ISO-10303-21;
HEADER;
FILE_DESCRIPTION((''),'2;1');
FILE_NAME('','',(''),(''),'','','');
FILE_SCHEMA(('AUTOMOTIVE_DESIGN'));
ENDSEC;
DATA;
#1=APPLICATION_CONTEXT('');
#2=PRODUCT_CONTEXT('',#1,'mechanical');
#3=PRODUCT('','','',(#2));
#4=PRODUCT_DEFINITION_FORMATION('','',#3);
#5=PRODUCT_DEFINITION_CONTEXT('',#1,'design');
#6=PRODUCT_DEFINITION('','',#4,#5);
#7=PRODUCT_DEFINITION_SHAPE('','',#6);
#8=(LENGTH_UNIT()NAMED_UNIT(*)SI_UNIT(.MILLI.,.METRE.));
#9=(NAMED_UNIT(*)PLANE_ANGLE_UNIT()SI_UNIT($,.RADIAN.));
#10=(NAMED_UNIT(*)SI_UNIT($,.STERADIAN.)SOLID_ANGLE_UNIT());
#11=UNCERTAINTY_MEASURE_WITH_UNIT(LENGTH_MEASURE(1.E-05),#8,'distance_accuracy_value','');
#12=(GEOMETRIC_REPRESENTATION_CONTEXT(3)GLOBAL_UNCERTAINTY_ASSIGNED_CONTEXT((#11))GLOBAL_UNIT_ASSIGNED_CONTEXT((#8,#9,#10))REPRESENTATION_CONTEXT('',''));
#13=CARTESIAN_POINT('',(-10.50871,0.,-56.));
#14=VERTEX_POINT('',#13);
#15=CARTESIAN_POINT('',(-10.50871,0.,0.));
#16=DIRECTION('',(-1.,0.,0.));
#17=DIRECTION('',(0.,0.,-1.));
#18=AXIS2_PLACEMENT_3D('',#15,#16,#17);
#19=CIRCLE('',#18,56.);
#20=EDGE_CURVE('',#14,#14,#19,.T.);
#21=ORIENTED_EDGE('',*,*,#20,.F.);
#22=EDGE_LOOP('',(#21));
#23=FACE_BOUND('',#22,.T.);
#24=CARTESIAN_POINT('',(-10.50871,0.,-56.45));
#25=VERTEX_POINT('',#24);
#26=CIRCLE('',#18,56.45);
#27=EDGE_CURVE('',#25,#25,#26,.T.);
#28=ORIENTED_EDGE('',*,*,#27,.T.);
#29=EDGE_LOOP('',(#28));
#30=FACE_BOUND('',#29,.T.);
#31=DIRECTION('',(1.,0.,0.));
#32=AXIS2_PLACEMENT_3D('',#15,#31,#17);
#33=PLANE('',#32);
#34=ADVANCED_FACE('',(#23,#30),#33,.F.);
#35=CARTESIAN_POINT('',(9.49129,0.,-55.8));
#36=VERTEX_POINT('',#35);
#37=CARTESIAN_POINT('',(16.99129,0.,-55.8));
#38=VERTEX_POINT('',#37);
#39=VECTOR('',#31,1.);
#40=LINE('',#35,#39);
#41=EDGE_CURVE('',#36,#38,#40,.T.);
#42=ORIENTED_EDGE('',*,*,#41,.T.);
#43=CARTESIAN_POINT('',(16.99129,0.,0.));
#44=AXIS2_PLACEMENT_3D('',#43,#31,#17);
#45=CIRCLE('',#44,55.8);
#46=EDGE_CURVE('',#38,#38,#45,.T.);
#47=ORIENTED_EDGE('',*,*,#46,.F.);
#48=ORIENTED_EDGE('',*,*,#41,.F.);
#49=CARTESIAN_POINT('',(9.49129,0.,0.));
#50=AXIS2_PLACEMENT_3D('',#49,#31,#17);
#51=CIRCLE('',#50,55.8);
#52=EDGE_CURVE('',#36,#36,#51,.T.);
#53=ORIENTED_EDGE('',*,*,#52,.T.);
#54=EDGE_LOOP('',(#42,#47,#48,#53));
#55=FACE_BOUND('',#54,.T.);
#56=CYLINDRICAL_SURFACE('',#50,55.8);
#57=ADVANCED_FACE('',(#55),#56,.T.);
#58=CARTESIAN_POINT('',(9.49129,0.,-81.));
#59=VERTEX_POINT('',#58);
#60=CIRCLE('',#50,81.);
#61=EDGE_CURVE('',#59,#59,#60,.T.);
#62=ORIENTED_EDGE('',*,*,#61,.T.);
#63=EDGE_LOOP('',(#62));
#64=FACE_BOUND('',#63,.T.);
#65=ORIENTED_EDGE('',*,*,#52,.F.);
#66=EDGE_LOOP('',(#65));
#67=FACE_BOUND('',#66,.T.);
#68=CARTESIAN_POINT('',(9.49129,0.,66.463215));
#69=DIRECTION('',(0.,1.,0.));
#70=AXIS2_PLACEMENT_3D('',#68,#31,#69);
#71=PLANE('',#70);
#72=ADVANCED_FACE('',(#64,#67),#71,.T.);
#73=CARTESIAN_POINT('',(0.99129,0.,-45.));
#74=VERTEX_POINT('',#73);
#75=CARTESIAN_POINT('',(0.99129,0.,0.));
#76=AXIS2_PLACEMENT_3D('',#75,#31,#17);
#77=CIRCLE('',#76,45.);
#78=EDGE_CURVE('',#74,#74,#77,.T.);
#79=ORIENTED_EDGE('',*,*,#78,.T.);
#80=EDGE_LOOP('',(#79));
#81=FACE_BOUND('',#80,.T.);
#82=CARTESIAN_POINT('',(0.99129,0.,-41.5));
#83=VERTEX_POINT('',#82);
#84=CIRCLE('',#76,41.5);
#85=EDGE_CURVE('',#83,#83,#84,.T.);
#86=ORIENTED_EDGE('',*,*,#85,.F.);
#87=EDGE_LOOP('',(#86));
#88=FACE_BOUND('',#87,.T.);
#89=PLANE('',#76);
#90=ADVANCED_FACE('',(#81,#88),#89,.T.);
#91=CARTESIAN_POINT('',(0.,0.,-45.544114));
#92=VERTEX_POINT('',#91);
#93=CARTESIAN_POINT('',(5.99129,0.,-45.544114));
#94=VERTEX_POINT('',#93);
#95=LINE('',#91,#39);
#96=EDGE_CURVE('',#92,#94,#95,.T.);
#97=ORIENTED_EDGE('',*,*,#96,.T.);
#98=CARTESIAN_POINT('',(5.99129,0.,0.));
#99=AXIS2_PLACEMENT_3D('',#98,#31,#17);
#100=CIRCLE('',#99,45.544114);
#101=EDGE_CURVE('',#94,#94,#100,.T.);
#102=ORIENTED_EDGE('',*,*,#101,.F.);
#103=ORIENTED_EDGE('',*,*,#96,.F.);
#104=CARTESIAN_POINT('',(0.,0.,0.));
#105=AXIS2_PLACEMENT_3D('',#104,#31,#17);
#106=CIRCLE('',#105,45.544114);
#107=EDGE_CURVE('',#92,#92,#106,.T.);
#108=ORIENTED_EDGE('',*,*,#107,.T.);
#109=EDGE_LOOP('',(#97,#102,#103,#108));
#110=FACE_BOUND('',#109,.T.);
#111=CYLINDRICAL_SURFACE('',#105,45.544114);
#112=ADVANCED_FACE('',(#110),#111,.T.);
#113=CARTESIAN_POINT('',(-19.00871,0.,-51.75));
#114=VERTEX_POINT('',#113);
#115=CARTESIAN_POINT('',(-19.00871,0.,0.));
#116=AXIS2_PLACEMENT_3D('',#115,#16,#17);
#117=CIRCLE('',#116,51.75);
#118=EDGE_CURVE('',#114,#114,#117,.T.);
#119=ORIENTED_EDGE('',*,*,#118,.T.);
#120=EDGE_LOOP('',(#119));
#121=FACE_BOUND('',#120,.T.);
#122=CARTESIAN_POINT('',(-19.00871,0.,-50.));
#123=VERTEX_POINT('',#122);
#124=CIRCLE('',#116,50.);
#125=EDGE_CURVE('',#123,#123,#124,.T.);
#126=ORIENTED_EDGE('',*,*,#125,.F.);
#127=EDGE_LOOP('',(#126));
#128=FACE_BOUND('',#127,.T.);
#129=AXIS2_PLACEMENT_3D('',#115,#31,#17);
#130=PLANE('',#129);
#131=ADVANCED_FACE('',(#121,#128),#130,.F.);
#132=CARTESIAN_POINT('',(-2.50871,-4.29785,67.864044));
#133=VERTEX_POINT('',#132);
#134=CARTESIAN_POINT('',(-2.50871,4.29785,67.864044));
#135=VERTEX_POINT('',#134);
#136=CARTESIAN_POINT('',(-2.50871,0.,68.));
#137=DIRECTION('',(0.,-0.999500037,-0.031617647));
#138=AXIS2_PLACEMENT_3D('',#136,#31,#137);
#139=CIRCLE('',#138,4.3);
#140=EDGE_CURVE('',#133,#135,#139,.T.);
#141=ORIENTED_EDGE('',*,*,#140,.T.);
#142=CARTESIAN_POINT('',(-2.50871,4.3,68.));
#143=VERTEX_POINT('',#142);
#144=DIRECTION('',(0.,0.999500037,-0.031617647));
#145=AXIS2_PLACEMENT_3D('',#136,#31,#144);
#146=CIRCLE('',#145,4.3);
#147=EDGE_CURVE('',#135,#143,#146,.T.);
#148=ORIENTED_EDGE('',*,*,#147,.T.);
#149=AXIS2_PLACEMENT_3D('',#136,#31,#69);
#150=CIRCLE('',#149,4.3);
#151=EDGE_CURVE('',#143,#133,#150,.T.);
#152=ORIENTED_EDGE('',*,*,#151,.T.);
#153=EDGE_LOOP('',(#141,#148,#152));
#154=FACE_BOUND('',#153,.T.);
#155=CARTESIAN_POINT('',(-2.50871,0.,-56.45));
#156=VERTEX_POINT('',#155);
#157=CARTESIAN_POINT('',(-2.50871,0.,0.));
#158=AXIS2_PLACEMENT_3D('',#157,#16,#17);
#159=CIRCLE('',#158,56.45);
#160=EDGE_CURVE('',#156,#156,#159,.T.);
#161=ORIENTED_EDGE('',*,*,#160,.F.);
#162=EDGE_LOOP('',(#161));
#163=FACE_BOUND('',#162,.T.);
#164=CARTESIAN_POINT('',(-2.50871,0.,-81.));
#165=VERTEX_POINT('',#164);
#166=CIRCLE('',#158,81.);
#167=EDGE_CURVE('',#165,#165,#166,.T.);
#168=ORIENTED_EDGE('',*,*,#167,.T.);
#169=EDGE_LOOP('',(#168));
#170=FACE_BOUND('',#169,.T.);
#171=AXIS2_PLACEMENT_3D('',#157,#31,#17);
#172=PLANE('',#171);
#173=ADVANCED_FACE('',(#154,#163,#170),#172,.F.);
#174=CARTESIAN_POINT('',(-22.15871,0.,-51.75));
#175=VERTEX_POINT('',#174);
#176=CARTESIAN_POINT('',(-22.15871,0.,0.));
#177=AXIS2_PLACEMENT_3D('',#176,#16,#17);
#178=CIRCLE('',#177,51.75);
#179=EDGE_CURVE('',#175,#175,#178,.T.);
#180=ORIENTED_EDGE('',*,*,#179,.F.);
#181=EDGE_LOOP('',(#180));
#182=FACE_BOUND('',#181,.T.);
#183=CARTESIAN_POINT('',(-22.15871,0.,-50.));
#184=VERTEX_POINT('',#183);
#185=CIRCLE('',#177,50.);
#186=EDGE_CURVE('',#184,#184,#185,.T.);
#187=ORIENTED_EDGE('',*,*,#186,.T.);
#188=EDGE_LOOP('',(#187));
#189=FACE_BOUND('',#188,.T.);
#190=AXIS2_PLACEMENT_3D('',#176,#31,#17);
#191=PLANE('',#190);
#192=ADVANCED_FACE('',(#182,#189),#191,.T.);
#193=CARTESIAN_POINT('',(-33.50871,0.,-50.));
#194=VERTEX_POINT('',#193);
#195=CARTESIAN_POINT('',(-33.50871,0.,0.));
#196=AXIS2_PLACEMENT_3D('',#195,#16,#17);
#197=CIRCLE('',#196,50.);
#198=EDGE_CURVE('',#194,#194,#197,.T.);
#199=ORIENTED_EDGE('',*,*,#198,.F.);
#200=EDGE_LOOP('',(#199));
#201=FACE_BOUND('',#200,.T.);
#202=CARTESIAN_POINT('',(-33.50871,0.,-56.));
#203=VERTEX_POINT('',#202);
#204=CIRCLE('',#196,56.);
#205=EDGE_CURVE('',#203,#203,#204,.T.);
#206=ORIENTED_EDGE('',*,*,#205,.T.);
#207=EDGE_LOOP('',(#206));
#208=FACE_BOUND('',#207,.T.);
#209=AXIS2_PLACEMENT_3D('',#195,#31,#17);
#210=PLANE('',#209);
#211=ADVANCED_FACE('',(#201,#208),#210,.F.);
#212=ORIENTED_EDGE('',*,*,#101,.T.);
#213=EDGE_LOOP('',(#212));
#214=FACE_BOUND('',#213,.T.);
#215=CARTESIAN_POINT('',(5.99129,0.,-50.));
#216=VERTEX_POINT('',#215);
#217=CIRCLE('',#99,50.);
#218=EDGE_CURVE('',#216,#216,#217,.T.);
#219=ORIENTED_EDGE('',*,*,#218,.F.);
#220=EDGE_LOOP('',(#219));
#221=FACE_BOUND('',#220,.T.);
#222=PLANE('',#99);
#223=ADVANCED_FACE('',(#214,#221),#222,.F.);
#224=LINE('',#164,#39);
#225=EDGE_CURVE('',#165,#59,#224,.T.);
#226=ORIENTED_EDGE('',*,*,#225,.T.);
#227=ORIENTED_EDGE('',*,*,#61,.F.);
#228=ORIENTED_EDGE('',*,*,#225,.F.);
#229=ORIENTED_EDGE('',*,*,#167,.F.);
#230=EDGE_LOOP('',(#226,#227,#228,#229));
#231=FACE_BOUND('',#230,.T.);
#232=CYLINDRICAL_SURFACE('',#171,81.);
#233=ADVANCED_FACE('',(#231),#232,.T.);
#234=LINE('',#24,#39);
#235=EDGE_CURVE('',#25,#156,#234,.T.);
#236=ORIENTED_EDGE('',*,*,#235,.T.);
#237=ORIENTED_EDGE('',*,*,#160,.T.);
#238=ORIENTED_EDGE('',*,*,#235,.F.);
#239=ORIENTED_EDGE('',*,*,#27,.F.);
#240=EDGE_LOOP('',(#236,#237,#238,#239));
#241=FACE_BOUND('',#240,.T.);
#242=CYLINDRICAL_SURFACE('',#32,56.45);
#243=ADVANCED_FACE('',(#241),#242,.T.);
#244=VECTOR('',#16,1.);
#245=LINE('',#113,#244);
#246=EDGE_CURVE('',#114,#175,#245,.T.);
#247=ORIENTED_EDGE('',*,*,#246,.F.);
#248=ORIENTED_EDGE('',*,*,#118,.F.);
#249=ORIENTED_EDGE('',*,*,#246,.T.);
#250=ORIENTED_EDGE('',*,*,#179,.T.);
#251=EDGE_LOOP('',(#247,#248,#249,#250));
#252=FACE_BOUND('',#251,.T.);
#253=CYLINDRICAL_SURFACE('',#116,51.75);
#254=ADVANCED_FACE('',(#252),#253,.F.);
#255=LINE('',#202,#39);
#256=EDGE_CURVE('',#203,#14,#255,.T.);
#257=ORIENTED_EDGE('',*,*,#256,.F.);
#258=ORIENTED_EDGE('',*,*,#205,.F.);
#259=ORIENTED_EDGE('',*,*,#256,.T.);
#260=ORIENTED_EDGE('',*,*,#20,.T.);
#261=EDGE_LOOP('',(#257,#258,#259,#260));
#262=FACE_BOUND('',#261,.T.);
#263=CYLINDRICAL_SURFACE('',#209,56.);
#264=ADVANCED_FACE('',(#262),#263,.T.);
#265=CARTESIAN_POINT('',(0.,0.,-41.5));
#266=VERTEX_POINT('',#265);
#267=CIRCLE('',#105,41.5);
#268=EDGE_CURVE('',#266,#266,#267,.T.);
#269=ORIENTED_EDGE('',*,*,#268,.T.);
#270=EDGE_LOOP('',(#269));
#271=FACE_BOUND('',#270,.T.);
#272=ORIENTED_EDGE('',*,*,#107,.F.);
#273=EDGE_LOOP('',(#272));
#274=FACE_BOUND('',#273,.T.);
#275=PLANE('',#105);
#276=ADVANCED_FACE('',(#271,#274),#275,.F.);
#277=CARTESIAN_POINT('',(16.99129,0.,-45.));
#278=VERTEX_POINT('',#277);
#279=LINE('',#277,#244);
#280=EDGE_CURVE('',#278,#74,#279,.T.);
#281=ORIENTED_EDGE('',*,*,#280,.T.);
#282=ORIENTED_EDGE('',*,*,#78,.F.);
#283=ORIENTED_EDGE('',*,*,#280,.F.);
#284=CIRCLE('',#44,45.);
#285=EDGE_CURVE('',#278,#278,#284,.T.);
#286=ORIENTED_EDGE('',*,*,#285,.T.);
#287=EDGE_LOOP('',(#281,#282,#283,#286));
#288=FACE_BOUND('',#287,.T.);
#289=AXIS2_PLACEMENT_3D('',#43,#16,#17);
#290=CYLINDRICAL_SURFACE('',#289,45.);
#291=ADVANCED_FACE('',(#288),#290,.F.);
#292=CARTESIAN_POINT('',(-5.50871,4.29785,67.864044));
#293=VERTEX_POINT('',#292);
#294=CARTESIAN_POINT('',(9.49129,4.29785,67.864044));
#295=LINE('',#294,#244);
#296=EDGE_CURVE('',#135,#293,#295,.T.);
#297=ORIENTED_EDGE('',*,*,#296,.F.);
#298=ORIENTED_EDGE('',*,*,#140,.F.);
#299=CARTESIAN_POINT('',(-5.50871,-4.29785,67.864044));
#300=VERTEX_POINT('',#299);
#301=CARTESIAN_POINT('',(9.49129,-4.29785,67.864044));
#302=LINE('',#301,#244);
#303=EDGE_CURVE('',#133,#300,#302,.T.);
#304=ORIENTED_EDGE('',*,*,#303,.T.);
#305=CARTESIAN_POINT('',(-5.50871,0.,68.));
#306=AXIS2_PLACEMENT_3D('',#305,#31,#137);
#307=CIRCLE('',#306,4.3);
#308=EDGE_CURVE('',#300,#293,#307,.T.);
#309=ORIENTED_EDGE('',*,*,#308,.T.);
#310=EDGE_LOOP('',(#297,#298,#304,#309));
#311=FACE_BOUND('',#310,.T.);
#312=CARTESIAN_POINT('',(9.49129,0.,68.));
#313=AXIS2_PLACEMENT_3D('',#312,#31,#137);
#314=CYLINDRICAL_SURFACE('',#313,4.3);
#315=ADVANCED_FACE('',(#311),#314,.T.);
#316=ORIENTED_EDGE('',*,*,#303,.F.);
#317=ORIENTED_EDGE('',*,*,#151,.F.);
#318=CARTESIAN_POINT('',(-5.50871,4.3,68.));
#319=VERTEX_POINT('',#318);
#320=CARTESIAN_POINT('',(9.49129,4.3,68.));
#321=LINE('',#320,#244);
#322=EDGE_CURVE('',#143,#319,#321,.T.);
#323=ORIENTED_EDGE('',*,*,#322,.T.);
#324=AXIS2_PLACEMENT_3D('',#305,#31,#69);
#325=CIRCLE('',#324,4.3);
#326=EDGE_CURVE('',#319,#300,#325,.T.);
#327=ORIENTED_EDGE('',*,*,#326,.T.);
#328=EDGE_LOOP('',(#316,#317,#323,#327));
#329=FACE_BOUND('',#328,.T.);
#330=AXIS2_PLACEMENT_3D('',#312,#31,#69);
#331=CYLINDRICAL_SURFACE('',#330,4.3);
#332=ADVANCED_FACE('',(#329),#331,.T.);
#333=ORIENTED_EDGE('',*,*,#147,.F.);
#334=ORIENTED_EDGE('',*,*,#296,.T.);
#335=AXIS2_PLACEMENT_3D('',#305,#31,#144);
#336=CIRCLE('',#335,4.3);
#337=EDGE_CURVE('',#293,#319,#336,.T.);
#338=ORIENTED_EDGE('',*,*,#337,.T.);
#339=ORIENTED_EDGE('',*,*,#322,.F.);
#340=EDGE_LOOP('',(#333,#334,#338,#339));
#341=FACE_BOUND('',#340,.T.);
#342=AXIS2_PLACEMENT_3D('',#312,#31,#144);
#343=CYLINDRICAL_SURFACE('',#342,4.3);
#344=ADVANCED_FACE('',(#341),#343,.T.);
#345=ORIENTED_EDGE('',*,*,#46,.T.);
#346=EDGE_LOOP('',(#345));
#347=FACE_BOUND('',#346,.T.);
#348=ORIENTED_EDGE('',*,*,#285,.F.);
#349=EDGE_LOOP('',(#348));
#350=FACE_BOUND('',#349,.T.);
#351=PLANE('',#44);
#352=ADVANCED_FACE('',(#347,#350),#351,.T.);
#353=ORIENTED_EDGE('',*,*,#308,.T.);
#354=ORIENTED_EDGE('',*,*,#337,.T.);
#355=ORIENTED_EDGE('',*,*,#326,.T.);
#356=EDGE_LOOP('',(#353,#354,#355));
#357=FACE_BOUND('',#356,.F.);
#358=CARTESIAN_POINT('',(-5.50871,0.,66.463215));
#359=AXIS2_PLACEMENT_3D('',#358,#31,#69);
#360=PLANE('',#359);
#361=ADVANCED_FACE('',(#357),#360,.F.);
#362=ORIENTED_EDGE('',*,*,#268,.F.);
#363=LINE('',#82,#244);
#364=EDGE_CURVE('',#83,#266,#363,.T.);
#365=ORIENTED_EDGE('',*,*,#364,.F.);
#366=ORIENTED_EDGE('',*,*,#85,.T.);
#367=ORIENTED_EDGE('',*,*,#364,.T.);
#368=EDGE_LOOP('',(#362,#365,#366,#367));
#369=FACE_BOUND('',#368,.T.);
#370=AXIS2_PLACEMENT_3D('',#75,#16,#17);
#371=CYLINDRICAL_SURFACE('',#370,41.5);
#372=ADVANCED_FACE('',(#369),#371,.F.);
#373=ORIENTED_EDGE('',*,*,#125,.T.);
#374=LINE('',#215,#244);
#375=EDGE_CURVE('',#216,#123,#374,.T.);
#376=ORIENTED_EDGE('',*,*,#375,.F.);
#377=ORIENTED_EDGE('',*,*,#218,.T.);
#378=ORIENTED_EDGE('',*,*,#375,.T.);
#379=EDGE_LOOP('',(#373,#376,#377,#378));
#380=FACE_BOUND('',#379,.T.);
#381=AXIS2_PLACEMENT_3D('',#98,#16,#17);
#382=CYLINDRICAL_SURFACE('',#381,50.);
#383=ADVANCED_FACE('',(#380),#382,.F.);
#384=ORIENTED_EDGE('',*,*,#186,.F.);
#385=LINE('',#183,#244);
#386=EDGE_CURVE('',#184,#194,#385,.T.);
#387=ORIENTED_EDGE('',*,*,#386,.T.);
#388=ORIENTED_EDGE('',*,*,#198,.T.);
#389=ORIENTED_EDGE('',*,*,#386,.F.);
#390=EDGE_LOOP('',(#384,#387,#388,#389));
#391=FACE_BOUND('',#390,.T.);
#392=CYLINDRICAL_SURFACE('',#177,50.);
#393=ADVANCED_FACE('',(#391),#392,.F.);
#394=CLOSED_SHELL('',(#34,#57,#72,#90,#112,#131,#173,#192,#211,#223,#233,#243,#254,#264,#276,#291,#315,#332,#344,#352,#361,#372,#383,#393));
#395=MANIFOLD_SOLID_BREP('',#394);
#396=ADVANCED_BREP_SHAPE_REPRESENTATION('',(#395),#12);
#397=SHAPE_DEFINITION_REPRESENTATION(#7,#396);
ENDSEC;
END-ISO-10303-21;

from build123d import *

# Parameters (mm, degrees)
F3_DEPTH = 15


with BuildPart() as f1:
    # F0 (on Front) → F1 (revolve)
    with BuildSketch(Plane.XZ):
        Polygon((0, 45.5441143698), (0, 41.5), (0.9912901085, 41.5), (0.9912901085, 45), (16.9912901085, 45), (16.9912901085, 55.8), (9.4912901085, 55.8), (9.4912901085, 81), (-2.5087098915, 81), (-2.5087098915, 56.45), (-10.5087098915, 56.45), (-10.5087098915, 56), (-33.5087098915, 56), (-33.5087098915, 50), (-22.1587098915, 50), (-22.1587098915, 51.75), (-19.0087098915, 51.75), (-19.0087098915, 50), (5.9912901085, 50), (5.9912901085, 45.5441143698), align=None)
        Polygon((5.9912901085, -50), (-19.0087098915, -50), (-19.0087098915, -51.75), (-22.1587098915, -51.75), (-22.1587098915, -50), (-33.5087098915, -50), (-33.5087098915, -56), (-10.5087098915, -56), (-10.5087098915, -56.45), (-2.5087098915, -56.45), (-2.5087098915, -81), (9.4912901085, -81), (9.4912901085, -55.8), (16.9912901085, -55.8), (16.9912901085, -45), (0.9912901085, -45), (0.9912901085, -41.5), (0, -41.5), (0, -45.5441143698), (5.9912901085, -45.5441143698), align=None)
    revolve(axis=Axis((8.3674173802, 0, 0), (1, 0, 0)))

    # F2 (on face) → F3 (join)
    with BuildSketch(Plane.YZ.offset(9.4912901085)):
        with BuildLine():
            ThreePointArc((4.29785016, 67.8640441176), (0, 68), (-4.29785016, 67.8640441176))
            ThreePointArc((-4.29785016, 67.8640441176), (0, 63.7), (4.29785016, 67.8640441176))
        make_face()
        with BuildLine():
            ThreePointArc((4.29785016, 67.8640441176), (4.2994625064, 67.9320135606), (4.3, 68))
            ThreePointArc((4.3, 68), (-0.0679864394, 72.2994625064), (-4.29785016, 67.8640441176))
            ThreePointArc((-4.29785016, 67.8640441176), (0, 68), (4.29785016, 67.8640441176))
        make_face()
    extrude(amount=-F3_DEPTH)


solid = f1.part
